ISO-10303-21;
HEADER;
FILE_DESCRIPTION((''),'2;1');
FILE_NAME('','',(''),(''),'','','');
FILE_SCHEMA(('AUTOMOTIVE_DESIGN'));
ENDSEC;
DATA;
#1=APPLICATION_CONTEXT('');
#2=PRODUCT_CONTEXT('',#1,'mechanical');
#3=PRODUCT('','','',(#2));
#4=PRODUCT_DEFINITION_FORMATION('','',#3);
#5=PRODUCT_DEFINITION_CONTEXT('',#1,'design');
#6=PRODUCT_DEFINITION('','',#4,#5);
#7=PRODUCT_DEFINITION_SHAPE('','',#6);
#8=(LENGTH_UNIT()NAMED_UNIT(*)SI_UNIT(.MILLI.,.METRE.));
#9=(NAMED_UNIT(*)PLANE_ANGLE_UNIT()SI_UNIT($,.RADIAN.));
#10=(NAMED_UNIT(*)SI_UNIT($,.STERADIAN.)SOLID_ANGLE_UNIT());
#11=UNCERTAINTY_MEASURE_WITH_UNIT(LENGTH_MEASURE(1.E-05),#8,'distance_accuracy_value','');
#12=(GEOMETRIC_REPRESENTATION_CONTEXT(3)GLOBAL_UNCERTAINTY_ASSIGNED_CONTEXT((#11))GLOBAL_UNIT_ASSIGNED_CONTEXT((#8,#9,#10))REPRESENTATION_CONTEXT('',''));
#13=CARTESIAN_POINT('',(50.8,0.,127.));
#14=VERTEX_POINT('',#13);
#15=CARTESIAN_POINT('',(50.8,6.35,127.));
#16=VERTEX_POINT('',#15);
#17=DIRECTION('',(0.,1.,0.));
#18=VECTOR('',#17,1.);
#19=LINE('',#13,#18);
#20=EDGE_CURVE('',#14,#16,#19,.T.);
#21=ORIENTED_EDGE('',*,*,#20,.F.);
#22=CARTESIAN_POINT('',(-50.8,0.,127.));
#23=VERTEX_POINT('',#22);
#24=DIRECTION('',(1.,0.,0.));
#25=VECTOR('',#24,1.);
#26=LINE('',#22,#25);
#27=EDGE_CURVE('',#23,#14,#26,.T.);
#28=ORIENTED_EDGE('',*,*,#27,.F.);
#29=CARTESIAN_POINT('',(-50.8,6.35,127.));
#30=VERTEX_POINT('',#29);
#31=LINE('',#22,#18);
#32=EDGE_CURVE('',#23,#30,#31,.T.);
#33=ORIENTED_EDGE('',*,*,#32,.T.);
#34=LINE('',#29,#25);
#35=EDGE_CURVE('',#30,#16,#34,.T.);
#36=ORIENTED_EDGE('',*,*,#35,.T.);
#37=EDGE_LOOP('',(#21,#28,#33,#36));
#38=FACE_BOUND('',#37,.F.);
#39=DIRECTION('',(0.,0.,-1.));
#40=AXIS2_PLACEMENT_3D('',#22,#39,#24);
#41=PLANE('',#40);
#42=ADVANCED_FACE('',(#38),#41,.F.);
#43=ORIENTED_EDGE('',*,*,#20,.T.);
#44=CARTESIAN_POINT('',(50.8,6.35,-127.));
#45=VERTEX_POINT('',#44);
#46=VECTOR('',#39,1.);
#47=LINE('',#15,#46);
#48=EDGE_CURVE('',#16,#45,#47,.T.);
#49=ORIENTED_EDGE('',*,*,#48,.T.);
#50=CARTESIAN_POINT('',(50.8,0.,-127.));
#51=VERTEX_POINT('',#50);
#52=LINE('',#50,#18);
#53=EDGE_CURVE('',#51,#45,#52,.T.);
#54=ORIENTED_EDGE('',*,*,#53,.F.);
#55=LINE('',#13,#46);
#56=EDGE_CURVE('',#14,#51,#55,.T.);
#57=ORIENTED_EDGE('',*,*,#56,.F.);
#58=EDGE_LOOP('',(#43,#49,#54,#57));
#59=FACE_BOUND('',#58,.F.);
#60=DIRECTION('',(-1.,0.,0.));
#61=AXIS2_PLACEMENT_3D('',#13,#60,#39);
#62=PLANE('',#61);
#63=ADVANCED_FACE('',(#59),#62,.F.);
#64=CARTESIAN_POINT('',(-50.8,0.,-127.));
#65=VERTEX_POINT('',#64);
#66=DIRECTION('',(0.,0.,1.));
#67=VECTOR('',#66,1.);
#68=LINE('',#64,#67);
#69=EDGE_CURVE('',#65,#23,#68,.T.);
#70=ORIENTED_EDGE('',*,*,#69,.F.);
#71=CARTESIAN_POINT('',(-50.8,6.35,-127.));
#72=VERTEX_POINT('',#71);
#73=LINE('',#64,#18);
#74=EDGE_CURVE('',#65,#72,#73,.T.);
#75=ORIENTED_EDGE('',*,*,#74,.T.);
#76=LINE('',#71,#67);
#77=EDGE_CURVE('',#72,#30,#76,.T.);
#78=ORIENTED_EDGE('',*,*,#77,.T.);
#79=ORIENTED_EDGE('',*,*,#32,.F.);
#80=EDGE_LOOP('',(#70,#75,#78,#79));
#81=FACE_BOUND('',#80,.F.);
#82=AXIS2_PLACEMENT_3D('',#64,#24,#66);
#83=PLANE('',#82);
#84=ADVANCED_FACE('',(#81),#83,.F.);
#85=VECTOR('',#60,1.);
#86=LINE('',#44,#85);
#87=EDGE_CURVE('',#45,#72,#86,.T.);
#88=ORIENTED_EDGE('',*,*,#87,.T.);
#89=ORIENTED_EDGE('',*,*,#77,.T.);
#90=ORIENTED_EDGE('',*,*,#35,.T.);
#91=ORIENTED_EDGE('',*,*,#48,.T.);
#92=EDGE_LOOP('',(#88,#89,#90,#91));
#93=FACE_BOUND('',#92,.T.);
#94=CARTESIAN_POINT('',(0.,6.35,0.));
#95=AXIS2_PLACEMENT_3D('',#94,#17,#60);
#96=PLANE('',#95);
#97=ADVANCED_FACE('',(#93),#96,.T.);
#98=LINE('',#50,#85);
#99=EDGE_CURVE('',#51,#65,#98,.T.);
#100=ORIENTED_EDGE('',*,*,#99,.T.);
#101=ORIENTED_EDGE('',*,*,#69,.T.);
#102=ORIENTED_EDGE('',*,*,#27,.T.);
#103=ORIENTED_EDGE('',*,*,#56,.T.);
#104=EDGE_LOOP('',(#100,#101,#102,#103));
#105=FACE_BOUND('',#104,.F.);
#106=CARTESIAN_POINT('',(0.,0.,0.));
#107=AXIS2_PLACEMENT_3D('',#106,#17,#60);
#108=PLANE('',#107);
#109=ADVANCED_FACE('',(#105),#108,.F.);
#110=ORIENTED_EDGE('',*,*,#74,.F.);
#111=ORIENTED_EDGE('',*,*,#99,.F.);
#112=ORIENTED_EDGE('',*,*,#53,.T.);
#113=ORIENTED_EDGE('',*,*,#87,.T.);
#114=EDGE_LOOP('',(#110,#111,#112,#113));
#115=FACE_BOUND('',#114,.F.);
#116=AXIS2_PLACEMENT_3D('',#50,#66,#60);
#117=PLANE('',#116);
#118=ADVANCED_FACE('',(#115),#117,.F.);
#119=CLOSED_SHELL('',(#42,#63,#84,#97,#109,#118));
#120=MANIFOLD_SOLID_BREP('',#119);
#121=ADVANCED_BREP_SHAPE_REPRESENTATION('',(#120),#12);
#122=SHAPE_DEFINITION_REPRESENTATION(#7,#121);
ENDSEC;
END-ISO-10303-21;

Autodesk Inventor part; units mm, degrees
ref_plane "XZ Plane" through (0, 0, 0) normal (0, 1, 0) x (-1, 0, 0)
ref_plane "XY Plane" through (0, 0, 0) normal (0, 0, 1) x (1, 0, 0)
sketch "Sketch1" plane through (0, 0, 0) normal (0, 1, 0) x (-1, 0, 0)
  line L0 (50.8, 127) -> (-50.8, 127)
  line L1 (-50.8, 127) -> (-50.8, -127)
  line L2 (-50.8, -127) -> (50.8, -127)
  line L3 (50.8, -127) -> (50.8, 127)
  line L4 (50.8, 127) -> (-50.8, -127) construction
  line L5 (-50.8, 127) -> (50.8, -127) construction
  point P0 (0, 0)
  dimension "d0" = 101.6
  dimension "d1" = 254
extrude "Extrusion1" add sketch "Sketch1" along normal blind 6.35
equation "\"d0\" = width"
equation "\"d1\" = length"
equation "\"d2\" = materialThickness"
equation "\"width\" = 101.6"
equation "\"length\" = 254"
equation "\"materialThickness\" = 6.35"
properties part number "sheetPlateForBase" material "Aluminum 6061"
